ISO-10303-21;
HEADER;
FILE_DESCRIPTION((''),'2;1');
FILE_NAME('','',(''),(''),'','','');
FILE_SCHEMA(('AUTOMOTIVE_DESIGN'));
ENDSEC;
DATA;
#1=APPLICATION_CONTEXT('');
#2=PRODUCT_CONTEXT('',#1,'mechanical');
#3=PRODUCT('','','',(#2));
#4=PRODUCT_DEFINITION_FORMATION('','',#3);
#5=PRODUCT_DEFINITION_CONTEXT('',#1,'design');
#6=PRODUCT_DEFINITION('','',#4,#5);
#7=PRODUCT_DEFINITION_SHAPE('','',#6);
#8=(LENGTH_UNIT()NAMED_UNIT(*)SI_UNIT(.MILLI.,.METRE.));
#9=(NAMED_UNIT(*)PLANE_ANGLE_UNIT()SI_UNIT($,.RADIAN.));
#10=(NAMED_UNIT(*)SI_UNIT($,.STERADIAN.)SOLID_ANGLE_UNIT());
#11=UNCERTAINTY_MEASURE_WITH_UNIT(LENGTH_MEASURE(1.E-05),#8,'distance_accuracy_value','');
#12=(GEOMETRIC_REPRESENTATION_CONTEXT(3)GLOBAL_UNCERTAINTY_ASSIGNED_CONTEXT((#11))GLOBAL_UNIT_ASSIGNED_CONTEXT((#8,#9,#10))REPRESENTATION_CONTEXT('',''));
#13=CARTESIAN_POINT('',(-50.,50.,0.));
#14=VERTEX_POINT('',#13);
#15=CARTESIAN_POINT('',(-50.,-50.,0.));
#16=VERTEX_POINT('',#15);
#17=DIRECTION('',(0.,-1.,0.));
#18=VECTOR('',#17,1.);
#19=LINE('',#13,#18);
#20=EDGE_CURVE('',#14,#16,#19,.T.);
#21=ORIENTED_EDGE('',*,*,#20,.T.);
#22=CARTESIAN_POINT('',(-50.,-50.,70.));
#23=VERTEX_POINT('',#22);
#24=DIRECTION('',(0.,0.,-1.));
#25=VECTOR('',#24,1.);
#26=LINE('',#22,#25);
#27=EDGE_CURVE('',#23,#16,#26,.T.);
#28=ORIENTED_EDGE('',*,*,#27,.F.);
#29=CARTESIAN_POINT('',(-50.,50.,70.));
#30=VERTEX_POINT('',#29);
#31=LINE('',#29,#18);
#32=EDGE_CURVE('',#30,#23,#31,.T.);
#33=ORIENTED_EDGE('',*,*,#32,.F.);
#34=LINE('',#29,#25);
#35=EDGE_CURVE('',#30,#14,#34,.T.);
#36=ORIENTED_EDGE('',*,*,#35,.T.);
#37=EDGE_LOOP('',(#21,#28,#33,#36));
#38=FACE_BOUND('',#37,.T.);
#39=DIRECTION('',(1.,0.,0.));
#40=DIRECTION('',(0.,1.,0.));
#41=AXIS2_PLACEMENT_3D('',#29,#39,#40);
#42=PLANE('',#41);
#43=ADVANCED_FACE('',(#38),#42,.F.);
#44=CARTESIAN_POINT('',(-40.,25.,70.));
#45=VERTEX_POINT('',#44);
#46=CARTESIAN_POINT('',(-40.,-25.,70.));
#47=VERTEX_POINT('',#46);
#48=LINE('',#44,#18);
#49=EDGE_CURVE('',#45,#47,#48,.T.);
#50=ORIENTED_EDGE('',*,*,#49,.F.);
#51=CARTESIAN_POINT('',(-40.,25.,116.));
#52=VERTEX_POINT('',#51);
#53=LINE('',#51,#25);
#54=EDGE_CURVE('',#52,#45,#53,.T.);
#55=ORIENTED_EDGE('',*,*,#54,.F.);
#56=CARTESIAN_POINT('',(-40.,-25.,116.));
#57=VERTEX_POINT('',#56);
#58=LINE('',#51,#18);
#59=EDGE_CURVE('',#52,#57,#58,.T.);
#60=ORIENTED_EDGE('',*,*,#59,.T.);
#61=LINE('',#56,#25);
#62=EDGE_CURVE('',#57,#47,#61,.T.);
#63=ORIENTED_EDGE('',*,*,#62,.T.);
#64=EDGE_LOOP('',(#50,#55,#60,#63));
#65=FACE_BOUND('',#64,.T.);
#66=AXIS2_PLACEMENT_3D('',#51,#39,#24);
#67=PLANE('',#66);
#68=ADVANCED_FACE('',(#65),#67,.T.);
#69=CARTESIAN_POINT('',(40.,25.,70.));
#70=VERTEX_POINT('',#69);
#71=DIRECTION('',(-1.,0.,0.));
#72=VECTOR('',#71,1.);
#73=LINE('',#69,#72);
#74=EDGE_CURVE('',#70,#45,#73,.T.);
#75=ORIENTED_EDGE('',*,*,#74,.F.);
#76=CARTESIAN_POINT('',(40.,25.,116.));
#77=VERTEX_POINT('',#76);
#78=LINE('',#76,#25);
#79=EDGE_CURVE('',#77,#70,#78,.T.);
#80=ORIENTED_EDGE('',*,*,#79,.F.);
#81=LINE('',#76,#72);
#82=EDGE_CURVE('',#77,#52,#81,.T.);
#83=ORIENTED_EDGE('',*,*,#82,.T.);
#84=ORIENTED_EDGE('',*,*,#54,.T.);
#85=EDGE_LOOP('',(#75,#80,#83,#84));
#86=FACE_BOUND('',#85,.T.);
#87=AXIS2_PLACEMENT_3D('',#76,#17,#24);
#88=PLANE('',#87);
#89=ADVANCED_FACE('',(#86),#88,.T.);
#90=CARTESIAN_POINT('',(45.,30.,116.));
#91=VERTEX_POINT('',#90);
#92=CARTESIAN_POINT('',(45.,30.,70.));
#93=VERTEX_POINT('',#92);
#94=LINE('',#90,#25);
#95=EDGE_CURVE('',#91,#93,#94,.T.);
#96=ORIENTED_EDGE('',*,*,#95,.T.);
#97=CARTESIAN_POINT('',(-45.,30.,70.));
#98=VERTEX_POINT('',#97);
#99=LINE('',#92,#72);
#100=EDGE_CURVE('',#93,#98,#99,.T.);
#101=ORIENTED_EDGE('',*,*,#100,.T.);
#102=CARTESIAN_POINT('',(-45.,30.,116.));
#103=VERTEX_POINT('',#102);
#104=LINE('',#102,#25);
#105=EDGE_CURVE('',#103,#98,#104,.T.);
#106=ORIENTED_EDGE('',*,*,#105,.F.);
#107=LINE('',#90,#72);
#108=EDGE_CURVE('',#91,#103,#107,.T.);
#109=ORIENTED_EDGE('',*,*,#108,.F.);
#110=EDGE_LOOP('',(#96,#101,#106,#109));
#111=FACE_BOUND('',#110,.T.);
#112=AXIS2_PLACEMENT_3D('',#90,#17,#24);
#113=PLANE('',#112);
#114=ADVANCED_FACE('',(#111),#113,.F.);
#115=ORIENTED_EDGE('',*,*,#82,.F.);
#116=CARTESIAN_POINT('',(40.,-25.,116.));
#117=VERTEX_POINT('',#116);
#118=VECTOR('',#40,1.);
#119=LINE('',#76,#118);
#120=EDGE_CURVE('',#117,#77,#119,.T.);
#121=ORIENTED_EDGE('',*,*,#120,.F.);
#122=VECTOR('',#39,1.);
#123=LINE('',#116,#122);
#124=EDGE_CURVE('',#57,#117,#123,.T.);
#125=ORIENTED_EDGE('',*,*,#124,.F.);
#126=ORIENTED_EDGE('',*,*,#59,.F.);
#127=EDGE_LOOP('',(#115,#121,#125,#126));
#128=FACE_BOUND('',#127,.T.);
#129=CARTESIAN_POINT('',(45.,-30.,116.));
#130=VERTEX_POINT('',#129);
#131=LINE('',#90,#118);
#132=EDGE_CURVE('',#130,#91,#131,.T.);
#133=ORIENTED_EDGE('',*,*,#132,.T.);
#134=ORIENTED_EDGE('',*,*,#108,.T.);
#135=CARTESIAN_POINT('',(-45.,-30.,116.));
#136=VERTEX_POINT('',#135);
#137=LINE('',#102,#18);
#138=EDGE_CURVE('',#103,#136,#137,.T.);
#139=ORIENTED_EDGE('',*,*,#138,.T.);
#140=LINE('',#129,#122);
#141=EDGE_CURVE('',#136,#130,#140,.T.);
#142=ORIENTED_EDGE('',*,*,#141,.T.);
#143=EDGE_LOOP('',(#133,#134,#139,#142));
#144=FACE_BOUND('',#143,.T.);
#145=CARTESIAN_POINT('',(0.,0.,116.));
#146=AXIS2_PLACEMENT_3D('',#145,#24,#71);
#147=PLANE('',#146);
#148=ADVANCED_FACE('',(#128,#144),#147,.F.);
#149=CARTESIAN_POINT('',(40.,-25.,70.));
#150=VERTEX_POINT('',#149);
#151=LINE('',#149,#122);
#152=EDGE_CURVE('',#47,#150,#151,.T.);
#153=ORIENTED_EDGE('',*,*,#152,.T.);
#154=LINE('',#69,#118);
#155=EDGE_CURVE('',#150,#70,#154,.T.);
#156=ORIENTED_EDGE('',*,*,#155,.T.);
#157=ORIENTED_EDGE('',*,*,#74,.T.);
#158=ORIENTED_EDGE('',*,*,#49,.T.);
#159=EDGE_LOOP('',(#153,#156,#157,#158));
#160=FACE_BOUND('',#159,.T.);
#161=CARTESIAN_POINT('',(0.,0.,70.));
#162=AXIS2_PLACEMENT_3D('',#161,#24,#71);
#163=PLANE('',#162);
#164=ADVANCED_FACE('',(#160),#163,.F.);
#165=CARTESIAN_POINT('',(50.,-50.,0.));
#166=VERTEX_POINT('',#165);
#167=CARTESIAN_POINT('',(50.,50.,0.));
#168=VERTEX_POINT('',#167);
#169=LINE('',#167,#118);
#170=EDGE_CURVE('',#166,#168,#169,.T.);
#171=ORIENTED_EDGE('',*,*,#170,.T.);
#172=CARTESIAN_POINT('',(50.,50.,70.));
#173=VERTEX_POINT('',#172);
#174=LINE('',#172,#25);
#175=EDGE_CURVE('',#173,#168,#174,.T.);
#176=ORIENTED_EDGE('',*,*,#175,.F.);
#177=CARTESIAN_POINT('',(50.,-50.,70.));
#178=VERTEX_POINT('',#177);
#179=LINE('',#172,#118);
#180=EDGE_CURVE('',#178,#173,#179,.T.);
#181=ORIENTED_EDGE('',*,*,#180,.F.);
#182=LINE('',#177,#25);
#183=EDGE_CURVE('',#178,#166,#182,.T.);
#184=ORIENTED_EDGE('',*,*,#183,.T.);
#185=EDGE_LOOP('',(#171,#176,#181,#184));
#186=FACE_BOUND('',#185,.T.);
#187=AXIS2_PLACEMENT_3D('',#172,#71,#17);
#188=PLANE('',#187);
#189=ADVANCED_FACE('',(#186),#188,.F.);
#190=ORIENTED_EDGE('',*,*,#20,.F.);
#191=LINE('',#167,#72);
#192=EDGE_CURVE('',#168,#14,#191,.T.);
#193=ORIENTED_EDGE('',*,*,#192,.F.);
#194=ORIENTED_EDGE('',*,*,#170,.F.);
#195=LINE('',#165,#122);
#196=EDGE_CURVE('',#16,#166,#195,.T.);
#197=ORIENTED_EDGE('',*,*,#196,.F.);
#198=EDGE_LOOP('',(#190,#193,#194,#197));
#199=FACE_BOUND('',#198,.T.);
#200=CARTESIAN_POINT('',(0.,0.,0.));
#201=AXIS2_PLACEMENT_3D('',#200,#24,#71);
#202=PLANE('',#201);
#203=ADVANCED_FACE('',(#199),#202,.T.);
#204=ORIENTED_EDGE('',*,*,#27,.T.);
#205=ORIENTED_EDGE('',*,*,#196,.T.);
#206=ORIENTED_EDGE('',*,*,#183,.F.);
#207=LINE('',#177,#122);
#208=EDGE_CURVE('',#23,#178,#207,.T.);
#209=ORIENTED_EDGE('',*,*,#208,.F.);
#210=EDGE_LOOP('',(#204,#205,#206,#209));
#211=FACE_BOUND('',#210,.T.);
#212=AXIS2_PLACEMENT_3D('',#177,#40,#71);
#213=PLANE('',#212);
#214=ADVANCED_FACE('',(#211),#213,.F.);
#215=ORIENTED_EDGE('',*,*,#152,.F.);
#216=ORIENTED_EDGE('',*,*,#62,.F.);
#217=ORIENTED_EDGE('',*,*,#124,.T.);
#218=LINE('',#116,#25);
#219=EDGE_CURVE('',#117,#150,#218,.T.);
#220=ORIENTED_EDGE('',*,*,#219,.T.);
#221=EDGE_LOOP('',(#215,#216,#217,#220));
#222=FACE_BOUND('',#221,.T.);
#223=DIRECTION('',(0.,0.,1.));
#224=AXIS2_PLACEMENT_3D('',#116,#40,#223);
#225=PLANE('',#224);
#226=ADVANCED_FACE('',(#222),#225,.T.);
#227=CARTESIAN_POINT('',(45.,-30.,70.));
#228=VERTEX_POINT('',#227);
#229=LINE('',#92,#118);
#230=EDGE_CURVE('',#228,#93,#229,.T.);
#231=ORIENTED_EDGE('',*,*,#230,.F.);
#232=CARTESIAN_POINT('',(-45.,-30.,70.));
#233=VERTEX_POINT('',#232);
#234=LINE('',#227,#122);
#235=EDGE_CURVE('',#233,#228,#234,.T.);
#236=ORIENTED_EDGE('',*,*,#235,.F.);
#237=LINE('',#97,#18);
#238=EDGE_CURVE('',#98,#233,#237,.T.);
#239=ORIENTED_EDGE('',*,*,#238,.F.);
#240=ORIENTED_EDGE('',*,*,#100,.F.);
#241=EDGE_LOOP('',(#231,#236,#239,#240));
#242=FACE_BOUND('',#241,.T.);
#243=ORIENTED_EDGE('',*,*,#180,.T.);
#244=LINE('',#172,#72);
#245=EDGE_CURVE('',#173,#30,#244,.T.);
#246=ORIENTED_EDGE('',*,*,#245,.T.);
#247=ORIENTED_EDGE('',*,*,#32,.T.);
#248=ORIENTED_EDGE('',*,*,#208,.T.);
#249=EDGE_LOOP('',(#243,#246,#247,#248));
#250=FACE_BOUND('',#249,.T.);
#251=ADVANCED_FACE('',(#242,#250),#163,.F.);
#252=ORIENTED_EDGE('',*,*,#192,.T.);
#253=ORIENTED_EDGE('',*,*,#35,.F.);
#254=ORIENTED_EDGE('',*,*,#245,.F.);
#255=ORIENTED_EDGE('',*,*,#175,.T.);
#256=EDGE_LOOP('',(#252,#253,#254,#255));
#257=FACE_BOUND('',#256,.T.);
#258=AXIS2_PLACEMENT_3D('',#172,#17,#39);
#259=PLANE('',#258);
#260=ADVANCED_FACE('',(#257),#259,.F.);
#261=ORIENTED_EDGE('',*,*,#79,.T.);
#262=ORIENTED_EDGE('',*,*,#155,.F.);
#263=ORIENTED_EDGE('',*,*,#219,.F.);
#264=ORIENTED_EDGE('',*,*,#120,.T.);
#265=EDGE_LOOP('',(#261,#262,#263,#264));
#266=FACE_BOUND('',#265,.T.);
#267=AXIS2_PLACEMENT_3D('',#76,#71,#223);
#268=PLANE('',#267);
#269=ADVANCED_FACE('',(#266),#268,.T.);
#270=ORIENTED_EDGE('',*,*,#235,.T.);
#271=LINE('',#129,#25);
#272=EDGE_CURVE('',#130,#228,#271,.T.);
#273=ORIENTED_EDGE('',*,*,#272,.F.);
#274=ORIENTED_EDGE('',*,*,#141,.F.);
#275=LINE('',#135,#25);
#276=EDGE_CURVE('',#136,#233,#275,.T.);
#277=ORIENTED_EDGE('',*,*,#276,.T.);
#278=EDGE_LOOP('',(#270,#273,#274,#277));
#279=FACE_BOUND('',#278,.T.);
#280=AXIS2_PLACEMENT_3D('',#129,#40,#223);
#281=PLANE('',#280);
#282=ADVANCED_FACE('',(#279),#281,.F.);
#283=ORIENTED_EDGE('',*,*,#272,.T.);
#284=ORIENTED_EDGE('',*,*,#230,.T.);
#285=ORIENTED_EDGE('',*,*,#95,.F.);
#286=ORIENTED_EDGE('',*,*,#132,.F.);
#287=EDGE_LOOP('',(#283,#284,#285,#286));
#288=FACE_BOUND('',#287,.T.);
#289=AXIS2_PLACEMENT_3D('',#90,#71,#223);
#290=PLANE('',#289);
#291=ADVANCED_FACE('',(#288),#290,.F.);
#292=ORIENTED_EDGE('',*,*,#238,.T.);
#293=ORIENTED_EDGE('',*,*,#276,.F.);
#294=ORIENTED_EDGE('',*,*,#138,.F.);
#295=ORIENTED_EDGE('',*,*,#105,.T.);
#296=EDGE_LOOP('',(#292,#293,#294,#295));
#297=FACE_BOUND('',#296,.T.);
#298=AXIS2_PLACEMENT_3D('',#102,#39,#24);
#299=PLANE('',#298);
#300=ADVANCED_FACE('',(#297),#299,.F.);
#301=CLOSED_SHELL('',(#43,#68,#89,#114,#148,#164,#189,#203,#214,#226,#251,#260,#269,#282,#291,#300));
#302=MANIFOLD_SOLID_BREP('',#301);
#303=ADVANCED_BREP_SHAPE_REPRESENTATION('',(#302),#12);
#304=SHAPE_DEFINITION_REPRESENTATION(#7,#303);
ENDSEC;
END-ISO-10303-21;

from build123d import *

# Parameters (mm, degrees)
SKETCH1_W           = 100
SKETCH1_H           = 100
BOSS_EXTRUDE1_DEPTH = 70
SKETCH2_W           = 90
SKETCH2_H           = 60
SKETCH2_W_2         = 80
SKETCH2_H_2         = 50
BOSS_EXTRUDE2_DEPTH = 46


with BuildPart() as part:
    # Sketch1 → Boss-Extrude1 (new body)
    with BuildSketch(Plane.XY):
        Rectangle(SKETCH1_W, SKETCH1_H)
    extrude(amount=BOSS_EXTRUDE1_DEPTH)

    # Sketch2 → Boss-Extrude2 (add)
    with BuildSketch(Plane.XY.offset(70)):
        Rectangle(SKETCH2_W, SKETCH2_H)
        Rectangle(SKETCH2_W_2, SKETCH2_H_2, mode=Mode.SUBTRACT)
    extrude(amount=BOSS_EXTRUDE2_DEPTH)


solid = part.part
